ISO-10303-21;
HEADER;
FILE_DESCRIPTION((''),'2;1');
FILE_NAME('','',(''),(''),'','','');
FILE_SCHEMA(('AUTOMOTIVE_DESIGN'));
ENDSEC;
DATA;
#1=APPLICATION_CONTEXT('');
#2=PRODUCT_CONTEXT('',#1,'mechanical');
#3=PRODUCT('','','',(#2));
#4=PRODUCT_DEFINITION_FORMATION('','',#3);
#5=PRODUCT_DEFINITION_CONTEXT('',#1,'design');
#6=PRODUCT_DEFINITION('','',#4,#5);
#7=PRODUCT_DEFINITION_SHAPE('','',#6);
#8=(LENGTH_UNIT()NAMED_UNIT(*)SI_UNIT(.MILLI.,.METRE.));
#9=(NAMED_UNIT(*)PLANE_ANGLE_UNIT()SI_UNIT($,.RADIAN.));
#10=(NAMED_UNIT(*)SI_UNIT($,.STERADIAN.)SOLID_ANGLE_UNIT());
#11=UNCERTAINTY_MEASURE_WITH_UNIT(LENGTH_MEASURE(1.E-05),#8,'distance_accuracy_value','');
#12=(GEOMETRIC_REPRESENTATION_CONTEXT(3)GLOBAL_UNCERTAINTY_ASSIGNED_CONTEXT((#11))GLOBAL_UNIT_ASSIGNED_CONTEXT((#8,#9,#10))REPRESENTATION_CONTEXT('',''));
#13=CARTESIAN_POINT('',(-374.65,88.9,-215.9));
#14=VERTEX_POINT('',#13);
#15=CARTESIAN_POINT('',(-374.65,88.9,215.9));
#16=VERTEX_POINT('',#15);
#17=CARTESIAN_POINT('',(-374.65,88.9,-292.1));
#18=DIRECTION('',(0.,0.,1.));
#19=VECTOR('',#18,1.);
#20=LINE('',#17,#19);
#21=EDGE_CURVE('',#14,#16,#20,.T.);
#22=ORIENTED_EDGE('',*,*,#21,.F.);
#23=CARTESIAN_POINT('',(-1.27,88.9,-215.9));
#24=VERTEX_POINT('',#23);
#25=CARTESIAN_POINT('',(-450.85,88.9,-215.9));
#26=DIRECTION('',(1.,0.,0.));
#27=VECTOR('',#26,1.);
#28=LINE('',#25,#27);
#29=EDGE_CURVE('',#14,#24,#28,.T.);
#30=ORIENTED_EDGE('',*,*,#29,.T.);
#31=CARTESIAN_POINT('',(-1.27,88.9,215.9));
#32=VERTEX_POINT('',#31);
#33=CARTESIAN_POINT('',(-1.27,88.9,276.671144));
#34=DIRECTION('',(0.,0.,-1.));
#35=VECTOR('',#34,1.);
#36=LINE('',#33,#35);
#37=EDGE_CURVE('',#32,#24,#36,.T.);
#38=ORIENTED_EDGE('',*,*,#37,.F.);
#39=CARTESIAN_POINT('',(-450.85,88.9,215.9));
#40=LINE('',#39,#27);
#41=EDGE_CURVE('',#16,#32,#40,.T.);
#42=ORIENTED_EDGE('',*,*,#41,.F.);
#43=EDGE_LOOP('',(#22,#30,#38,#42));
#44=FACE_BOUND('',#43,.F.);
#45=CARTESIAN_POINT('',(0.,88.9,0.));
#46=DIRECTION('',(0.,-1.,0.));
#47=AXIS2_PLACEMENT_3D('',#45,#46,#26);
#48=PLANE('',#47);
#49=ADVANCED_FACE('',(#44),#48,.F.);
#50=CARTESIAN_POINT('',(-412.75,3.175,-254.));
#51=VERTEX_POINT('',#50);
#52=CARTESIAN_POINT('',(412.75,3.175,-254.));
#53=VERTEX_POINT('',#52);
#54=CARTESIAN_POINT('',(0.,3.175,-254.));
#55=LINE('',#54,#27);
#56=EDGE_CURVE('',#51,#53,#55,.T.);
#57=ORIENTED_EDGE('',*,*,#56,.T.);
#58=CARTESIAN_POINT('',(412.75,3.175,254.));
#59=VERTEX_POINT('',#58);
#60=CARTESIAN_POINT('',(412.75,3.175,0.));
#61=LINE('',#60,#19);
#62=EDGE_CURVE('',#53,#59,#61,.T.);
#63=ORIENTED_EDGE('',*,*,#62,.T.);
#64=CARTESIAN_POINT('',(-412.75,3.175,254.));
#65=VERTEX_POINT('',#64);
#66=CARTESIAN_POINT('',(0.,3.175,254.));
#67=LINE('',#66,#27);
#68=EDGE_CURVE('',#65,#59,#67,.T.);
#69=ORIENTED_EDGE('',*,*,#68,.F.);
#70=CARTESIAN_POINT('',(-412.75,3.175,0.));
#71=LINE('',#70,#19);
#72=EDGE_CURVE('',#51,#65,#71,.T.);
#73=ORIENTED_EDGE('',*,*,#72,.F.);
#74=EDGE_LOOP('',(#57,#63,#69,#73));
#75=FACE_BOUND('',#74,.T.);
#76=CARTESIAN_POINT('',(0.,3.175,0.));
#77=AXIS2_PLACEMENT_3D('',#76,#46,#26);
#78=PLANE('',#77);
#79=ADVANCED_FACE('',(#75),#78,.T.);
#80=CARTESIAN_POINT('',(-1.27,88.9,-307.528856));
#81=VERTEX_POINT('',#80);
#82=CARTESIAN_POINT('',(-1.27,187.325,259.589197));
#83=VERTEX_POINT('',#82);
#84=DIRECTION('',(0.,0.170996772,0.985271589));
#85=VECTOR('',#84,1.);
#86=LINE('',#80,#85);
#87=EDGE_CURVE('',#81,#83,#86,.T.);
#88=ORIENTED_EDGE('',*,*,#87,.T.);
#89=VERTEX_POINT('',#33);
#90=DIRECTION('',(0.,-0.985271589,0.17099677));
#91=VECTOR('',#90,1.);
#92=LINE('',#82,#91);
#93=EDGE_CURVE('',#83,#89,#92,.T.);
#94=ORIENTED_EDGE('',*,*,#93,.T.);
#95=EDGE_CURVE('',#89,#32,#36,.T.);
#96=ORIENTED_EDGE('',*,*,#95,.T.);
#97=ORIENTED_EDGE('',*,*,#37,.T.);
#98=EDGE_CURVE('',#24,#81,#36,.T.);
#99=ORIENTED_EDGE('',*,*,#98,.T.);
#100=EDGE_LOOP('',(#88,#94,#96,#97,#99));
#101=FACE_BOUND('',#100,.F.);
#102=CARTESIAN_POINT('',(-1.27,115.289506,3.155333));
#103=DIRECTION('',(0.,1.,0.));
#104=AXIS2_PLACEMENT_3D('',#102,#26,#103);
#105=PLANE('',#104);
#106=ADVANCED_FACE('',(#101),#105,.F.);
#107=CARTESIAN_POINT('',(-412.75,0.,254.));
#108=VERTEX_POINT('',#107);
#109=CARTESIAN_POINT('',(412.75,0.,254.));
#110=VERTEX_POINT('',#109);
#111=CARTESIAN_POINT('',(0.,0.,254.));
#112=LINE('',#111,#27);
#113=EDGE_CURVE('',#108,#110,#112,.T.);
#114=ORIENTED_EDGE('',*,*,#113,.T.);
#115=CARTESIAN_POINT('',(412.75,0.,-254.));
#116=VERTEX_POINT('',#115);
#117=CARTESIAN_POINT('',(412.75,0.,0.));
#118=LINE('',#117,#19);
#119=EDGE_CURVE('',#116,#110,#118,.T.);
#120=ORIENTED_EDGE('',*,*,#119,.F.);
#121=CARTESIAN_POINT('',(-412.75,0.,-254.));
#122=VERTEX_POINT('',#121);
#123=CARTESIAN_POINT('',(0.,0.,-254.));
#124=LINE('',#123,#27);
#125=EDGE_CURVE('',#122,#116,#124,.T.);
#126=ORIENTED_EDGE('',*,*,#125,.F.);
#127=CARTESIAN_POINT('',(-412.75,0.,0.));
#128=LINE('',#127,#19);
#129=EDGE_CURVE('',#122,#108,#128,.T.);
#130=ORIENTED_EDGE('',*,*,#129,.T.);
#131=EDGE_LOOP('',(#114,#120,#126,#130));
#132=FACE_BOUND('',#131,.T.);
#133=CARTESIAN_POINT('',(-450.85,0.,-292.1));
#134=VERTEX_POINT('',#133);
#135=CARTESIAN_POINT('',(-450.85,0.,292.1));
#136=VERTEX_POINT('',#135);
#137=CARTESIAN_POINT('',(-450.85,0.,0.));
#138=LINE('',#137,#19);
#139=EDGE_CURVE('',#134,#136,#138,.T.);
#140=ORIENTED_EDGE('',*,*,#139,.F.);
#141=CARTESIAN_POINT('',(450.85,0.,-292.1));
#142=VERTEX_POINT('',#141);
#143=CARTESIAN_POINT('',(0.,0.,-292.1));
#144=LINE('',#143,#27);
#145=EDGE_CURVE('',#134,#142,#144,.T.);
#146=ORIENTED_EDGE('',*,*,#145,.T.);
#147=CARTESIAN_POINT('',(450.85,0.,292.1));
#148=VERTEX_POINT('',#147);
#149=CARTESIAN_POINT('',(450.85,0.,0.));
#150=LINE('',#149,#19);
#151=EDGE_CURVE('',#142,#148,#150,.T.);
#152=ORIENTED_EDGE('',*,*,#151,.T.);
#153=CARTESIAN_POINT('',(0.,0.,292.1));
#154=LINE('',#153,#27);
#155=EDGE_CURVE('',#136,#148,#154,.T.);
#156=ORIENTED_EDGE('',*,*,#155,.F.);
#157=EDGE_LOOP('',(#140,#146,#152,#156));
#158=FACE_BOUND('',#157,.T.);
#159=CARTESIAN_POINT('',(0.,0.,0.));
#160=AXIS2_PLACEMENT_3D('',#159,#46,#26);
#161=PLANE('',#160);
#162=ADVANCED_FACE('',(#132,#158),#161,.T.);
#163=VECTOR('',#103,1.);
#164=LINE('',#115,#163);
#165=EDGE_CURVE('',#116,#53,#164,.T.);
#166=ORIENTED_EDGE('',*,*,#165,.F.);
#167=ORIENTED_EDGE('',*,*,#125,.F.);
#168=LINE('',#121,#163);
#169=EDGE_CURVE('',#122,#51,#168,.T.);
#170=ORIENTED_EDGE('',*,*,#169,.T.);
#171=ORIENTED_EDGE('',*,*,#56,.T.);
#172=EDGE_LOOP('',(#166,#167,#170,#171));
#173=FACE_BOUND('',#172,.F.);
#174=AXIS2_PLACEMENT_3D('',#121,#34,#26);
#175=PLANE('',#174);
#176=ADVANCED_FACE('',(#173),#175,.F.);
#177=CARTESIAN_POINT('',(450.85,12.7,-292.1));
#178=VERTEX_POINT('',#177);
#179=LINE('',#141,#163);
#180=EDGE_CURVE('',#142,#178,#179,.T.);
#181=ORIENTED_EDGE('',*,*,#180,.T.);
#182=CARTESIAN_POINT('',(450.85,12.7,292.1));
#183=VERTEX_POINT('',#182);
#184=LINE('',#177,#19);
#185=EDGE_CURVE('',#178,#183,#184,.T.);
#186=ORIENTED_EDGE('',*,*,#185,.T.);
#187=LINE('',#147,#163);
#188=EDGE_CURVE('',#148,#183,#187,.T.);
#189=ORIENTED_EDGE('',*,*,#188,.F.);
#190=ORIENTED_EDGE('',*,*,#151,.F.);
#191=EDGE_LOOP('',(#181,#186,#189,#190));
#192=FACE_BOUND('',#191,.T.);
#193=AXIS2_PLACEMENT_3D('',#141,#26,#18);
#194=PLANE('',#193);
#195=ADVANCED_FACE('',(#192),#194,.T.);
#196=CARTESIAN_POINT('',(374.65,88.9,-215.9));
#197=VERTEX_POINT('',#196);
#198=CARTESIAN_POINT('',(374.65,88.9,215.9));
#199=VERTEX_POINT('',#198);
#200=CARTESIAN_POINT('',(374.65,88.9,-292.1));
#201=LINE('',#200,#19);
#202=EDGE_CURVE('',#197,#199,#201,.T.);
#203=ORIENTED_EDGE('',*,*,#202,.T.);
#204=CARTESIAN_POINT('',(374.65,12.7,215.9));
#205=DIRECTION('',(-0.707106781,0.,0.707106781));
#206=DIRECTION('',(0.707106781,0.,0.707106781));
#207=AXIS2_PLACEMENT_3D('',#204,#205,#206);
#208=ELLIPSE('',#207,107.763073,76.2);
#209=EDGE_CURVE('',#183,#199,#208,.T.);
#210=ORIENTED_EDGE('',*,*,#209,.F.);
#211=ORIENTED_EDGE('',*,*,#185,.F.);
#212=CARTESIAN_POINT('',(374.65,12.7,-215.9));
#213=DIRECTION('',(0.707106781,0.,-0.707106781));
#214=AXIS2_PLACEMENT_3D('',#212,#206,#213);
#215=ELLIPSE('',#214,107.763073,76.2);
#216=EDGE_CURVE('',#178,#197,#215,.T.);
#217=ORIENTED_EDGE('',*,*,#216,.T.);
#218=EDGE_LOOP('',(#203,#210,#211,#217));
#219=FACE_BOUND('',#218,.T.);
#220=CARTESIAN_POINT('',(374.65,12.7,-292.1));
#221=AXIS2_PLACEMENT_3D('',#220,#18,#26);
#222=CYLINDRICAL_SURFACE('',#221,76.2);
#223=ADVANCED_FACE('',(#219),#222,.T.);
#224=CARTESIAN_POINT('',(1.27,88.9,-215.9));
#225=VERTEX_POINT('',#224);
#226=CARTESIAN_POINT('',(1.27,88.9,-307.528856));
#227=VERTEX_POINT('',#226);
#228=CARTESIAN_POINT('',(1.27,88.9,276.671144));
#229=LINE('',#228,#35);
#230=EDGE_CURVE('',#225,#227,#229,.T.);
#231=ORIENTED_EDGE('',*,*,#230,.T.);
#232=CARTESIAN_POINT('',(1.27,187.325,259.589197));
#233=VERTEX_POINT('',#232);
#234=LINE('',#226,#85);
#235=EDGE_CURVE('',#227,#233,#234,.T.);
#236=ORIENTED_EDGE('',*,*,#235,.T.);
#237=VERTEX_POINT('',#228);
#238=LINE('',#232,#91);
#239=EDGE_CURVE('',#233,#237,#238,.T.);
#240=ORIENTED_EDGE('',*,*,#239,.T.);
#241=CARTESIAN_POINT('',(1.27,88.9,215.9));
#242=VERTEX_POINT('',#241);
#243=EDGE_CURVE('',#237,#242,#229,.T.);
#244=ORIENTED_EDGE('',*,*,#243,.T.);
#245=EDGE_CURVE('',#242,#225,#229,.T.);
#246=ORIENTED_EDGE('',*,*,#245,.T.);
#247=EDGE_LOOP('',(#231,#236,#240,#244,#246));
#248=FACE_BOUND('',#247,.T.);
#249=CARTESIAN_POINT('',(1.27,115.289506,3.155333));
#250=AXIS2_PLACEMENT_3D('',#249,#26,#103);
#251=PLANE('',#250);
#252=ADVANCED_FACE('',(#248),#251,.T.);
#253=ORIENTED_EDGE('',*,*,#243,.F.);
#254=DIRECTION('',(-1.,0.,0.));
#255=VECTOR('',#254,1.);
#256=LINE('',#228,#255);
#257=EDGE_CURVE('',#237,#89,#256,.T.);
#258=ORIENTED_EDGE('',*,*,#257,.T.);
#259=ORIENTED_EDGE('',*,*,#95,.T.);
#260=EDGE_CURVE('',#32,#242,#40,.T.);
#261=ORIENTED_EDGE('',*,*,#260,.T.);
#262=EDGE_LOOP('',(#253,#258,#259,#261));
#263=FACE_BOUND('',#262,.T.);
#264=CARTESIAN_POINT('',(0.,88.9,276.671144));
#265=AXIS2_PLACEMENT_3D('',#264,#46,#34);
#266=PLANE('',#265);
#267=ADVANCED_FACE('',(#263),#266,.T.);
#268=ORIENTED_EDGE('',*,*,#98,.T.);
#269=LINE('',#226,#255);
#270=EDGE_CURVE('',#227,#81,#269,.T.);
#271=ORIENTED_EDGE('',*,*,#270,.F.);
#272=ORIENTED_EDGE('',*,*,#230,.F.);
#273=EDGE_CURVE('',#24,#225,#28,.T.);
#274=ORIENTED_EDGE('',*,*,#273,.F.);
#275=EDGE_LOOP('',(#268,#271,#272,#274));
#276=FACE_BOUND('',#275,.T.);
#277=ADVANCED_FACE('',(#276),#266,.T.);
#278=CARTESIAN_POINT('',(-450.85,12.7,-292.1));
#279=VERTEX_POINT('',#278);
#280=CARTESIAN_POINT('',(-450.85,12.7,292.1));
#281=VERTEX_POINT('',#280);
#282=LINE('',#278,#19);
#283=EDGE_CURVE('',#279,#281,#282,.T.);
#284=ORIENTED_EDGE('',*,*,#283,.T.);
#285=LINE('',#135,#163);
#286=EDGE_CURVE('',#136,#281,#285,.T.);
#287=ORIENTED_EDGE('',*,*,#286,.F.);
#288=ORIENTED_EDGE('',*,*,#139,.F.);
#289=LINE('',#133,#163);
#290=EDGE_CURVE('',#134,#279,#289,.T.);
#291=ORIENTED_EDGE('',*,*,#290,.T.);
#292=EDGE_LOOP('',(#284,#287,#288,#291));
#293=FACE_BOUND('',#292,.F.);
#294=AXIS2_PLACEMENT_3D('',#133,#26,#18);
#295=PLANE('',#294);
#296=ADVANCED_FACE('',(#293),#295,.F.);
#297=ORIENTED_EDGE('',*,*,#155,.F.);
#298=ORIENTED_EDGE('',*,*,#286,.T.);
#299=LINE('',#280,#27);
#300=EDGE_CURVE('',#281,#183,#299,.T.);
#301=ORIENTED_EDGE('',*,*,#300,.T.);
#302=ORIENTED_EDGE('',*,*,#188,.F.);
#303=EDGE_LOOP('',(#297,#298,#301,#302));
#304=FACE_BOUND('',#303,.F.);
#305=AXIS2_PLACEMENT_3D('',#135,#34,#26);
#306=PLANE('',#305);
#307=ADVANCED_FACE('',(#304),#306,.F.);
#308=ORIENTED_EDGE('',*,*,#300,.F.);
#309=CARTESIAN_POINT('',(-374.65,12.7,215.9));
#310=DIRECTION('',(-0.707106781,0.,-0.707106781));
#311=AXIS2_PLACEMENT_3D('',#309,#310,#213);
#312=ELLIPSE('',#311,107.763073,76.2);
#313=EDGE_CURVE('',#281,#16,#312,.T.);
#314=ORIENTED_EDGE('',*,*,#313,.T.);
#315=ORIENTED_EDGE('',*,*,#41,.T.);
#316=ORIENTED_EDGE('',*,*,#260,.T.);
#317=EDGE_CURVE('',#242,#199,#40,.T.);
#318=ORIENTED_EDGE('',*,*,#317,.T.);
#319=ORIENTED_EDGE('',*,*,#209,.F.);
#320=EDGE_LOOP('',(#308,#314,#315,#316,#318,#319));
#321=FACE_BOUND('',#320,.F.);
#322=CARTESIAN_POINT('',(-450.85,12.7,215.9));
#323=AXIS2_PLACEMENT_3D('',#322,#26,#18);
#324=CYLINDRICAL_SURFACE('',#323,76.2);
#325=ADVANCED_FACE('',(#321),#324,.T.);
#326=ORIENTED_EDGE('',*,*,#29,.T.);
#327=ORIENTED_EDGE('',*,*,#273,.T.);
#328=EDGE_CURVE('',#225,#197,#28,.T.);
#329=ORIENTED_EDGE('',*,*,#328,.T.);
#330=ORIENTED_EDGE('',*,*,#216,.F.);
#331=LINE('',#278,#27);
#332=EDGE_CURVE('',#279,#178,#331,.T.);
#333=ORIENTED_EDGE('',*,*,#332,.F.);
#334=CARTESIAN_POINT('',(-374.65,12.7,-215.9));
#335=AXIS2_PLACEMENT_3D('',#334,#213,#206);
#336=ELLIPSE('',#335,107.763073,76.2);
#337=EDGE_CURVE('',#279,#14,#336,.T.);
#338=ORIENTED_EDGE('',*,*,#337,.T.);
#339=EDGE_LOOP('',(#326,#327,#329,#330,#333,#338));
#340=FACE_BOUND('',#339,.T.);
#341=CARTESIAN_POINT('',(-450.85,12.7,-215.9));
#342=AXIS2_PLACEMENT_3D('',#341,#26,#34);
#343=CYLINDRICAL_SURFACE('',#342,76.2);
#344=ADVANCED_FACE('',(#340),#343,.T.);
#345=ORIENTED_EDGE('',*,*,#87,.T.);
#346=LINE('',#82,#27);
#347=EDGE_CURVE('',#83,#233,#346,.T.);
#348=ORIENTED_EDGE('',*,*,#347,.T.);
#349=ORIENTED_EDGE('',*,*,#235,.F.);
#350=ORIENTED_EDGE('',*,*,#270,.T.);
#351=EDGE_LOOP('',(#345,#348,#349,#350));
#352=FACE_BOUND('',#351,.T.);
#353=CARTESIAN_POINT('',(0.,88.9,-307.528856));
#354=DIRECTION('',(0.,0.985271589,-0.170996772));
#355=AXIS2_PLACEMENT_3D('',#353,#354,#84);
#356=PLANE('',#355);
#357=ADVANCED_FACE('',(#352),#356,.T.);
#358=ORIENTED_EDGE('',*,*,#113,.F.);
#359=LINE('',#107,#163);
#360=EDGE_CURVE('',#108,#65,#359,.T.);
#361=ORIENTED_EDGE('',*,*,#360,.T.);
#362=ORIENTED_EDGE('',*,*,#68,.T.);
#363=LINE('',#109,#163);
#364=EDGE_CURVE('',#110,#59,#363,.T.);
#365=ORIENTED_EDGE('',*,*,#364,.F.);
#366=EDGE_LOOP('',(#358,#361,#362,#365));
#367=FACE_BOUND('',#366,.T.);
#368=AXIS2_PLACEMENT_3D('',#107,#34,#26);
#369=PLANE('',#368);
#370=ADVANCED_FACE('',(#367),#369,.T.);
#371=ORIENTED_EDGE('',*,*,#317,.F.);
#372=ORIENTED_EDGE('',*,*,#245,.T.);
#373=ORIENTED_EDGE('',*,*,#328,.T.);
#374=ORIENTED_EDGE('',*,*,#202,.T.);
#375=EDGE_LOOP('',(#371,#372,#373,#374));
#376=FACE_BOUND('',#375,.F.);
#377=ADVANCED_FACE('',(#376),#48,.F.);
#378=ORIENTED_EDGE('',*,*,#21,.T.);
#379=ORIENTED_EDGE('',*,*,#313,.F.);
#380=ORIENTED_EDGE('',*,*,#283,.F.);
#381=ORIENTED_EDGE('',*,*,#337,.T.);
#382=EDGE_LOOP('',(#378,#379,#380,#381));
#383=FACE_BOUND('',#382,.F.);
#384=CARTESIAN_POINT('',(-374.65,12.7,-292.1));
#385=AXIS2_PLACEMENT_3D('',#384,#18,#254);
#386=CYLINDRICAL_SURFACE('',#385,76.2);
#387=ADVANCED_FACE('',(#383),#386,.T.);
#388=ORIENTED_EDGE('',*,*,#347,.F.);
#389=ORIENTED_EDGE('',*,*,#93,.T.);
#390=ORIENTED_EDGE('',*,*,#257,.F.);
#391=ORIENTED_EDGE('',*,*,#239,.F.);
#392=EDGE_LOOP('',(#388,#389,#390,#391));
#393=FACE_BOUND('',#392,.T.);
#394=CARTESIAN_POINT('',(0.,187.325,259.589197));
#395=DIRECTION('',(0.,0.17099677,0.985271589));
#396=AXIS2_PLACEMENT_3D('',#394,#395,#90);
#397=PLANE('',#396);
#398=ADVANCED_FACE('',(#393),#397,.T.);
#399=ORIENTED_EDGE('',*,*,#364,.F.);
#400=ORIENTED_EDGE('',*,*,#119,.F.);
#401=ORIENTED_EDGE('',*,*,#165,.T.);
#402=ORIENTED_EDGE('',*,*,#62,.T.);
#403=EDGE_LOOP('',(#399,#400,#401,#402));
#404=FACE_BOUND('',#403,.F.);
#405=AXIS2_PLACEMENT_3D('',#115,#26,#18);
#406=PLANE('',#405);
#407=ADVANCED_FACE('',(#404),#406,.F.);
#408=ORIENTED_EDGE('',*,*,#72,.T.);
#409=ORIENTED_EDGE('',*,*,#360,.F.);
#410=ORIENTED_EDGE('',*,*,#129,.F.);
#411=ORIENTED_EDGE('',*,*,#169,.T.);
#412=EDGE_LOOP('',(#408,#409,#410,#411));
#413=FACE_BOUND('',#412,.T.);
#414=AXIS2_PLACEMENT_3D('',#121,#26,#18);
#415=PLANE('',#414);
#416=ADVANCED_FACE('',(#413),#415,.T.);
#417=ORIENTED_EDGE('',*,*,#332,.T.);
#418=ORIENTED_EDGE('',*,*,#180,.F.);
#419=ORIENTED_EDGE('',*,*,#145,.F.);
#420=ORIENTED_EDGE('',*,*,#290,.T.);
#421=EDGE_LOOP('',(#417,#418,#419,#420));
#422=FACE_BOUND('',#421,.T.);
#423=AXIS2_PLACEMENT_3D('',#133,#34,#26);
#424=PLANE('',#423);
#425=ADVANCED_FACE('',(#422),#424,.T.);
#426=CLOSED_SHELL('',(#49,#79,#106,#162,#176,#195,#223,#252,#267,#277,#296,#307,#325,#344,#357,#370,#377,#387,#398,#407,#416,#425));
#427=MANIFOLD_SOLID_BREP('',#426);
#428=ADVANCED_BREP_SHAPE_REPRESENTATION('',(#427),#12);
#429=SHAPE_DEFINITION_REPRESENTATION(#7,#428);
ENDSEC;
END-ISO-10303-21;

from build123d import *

# Parameters (mm, degrees)
F0_W     = 901.7
F0_H     = 584.2
F1_DEPTH = 88.9
F2_R     = 76.2
F3_W     = 825.5
F3_H     = 508
F4_DEPTH = 3.175
F6_DEPTH = 1.27


with BuildPart() as f1:
    # F0 (on Front) → F1 (new body)
    with BuildSketch(Plane.XZ):
        Rectangle(F0_W, F0_H)
    extrude(amount=-F1_DEPTH)

    # F2
    f2_edges = [f1.edges().sort_by_distance(p)[0] for p in [
        (0, 88.9, 292.1),
        (-450.85, 88.9, 0),
        (0, 88.9, -292.1),
        (450.85, 88.9, 0),
    ]]
    fillet(f2_edges, radius=F2_R)

    # F3 (on face) → F4 (cut)
    with BuildSketch(Plane.XZ):
        Rectangle(F3_W, F3_H)
    extrude(amount=-F4_DEPTH, mode=Mode.SUBTRACT)

    # F5 (on Right) → F6 (join, symmetric)
    with BuildSketch(Plane.YZ):
        Polygon((88.9, -307.528856), (187.325, 259.589197), (88.9, 276.671144), align=None)
    extrude(amount=F6_DEPTH, both=True)


solid = f1.part
